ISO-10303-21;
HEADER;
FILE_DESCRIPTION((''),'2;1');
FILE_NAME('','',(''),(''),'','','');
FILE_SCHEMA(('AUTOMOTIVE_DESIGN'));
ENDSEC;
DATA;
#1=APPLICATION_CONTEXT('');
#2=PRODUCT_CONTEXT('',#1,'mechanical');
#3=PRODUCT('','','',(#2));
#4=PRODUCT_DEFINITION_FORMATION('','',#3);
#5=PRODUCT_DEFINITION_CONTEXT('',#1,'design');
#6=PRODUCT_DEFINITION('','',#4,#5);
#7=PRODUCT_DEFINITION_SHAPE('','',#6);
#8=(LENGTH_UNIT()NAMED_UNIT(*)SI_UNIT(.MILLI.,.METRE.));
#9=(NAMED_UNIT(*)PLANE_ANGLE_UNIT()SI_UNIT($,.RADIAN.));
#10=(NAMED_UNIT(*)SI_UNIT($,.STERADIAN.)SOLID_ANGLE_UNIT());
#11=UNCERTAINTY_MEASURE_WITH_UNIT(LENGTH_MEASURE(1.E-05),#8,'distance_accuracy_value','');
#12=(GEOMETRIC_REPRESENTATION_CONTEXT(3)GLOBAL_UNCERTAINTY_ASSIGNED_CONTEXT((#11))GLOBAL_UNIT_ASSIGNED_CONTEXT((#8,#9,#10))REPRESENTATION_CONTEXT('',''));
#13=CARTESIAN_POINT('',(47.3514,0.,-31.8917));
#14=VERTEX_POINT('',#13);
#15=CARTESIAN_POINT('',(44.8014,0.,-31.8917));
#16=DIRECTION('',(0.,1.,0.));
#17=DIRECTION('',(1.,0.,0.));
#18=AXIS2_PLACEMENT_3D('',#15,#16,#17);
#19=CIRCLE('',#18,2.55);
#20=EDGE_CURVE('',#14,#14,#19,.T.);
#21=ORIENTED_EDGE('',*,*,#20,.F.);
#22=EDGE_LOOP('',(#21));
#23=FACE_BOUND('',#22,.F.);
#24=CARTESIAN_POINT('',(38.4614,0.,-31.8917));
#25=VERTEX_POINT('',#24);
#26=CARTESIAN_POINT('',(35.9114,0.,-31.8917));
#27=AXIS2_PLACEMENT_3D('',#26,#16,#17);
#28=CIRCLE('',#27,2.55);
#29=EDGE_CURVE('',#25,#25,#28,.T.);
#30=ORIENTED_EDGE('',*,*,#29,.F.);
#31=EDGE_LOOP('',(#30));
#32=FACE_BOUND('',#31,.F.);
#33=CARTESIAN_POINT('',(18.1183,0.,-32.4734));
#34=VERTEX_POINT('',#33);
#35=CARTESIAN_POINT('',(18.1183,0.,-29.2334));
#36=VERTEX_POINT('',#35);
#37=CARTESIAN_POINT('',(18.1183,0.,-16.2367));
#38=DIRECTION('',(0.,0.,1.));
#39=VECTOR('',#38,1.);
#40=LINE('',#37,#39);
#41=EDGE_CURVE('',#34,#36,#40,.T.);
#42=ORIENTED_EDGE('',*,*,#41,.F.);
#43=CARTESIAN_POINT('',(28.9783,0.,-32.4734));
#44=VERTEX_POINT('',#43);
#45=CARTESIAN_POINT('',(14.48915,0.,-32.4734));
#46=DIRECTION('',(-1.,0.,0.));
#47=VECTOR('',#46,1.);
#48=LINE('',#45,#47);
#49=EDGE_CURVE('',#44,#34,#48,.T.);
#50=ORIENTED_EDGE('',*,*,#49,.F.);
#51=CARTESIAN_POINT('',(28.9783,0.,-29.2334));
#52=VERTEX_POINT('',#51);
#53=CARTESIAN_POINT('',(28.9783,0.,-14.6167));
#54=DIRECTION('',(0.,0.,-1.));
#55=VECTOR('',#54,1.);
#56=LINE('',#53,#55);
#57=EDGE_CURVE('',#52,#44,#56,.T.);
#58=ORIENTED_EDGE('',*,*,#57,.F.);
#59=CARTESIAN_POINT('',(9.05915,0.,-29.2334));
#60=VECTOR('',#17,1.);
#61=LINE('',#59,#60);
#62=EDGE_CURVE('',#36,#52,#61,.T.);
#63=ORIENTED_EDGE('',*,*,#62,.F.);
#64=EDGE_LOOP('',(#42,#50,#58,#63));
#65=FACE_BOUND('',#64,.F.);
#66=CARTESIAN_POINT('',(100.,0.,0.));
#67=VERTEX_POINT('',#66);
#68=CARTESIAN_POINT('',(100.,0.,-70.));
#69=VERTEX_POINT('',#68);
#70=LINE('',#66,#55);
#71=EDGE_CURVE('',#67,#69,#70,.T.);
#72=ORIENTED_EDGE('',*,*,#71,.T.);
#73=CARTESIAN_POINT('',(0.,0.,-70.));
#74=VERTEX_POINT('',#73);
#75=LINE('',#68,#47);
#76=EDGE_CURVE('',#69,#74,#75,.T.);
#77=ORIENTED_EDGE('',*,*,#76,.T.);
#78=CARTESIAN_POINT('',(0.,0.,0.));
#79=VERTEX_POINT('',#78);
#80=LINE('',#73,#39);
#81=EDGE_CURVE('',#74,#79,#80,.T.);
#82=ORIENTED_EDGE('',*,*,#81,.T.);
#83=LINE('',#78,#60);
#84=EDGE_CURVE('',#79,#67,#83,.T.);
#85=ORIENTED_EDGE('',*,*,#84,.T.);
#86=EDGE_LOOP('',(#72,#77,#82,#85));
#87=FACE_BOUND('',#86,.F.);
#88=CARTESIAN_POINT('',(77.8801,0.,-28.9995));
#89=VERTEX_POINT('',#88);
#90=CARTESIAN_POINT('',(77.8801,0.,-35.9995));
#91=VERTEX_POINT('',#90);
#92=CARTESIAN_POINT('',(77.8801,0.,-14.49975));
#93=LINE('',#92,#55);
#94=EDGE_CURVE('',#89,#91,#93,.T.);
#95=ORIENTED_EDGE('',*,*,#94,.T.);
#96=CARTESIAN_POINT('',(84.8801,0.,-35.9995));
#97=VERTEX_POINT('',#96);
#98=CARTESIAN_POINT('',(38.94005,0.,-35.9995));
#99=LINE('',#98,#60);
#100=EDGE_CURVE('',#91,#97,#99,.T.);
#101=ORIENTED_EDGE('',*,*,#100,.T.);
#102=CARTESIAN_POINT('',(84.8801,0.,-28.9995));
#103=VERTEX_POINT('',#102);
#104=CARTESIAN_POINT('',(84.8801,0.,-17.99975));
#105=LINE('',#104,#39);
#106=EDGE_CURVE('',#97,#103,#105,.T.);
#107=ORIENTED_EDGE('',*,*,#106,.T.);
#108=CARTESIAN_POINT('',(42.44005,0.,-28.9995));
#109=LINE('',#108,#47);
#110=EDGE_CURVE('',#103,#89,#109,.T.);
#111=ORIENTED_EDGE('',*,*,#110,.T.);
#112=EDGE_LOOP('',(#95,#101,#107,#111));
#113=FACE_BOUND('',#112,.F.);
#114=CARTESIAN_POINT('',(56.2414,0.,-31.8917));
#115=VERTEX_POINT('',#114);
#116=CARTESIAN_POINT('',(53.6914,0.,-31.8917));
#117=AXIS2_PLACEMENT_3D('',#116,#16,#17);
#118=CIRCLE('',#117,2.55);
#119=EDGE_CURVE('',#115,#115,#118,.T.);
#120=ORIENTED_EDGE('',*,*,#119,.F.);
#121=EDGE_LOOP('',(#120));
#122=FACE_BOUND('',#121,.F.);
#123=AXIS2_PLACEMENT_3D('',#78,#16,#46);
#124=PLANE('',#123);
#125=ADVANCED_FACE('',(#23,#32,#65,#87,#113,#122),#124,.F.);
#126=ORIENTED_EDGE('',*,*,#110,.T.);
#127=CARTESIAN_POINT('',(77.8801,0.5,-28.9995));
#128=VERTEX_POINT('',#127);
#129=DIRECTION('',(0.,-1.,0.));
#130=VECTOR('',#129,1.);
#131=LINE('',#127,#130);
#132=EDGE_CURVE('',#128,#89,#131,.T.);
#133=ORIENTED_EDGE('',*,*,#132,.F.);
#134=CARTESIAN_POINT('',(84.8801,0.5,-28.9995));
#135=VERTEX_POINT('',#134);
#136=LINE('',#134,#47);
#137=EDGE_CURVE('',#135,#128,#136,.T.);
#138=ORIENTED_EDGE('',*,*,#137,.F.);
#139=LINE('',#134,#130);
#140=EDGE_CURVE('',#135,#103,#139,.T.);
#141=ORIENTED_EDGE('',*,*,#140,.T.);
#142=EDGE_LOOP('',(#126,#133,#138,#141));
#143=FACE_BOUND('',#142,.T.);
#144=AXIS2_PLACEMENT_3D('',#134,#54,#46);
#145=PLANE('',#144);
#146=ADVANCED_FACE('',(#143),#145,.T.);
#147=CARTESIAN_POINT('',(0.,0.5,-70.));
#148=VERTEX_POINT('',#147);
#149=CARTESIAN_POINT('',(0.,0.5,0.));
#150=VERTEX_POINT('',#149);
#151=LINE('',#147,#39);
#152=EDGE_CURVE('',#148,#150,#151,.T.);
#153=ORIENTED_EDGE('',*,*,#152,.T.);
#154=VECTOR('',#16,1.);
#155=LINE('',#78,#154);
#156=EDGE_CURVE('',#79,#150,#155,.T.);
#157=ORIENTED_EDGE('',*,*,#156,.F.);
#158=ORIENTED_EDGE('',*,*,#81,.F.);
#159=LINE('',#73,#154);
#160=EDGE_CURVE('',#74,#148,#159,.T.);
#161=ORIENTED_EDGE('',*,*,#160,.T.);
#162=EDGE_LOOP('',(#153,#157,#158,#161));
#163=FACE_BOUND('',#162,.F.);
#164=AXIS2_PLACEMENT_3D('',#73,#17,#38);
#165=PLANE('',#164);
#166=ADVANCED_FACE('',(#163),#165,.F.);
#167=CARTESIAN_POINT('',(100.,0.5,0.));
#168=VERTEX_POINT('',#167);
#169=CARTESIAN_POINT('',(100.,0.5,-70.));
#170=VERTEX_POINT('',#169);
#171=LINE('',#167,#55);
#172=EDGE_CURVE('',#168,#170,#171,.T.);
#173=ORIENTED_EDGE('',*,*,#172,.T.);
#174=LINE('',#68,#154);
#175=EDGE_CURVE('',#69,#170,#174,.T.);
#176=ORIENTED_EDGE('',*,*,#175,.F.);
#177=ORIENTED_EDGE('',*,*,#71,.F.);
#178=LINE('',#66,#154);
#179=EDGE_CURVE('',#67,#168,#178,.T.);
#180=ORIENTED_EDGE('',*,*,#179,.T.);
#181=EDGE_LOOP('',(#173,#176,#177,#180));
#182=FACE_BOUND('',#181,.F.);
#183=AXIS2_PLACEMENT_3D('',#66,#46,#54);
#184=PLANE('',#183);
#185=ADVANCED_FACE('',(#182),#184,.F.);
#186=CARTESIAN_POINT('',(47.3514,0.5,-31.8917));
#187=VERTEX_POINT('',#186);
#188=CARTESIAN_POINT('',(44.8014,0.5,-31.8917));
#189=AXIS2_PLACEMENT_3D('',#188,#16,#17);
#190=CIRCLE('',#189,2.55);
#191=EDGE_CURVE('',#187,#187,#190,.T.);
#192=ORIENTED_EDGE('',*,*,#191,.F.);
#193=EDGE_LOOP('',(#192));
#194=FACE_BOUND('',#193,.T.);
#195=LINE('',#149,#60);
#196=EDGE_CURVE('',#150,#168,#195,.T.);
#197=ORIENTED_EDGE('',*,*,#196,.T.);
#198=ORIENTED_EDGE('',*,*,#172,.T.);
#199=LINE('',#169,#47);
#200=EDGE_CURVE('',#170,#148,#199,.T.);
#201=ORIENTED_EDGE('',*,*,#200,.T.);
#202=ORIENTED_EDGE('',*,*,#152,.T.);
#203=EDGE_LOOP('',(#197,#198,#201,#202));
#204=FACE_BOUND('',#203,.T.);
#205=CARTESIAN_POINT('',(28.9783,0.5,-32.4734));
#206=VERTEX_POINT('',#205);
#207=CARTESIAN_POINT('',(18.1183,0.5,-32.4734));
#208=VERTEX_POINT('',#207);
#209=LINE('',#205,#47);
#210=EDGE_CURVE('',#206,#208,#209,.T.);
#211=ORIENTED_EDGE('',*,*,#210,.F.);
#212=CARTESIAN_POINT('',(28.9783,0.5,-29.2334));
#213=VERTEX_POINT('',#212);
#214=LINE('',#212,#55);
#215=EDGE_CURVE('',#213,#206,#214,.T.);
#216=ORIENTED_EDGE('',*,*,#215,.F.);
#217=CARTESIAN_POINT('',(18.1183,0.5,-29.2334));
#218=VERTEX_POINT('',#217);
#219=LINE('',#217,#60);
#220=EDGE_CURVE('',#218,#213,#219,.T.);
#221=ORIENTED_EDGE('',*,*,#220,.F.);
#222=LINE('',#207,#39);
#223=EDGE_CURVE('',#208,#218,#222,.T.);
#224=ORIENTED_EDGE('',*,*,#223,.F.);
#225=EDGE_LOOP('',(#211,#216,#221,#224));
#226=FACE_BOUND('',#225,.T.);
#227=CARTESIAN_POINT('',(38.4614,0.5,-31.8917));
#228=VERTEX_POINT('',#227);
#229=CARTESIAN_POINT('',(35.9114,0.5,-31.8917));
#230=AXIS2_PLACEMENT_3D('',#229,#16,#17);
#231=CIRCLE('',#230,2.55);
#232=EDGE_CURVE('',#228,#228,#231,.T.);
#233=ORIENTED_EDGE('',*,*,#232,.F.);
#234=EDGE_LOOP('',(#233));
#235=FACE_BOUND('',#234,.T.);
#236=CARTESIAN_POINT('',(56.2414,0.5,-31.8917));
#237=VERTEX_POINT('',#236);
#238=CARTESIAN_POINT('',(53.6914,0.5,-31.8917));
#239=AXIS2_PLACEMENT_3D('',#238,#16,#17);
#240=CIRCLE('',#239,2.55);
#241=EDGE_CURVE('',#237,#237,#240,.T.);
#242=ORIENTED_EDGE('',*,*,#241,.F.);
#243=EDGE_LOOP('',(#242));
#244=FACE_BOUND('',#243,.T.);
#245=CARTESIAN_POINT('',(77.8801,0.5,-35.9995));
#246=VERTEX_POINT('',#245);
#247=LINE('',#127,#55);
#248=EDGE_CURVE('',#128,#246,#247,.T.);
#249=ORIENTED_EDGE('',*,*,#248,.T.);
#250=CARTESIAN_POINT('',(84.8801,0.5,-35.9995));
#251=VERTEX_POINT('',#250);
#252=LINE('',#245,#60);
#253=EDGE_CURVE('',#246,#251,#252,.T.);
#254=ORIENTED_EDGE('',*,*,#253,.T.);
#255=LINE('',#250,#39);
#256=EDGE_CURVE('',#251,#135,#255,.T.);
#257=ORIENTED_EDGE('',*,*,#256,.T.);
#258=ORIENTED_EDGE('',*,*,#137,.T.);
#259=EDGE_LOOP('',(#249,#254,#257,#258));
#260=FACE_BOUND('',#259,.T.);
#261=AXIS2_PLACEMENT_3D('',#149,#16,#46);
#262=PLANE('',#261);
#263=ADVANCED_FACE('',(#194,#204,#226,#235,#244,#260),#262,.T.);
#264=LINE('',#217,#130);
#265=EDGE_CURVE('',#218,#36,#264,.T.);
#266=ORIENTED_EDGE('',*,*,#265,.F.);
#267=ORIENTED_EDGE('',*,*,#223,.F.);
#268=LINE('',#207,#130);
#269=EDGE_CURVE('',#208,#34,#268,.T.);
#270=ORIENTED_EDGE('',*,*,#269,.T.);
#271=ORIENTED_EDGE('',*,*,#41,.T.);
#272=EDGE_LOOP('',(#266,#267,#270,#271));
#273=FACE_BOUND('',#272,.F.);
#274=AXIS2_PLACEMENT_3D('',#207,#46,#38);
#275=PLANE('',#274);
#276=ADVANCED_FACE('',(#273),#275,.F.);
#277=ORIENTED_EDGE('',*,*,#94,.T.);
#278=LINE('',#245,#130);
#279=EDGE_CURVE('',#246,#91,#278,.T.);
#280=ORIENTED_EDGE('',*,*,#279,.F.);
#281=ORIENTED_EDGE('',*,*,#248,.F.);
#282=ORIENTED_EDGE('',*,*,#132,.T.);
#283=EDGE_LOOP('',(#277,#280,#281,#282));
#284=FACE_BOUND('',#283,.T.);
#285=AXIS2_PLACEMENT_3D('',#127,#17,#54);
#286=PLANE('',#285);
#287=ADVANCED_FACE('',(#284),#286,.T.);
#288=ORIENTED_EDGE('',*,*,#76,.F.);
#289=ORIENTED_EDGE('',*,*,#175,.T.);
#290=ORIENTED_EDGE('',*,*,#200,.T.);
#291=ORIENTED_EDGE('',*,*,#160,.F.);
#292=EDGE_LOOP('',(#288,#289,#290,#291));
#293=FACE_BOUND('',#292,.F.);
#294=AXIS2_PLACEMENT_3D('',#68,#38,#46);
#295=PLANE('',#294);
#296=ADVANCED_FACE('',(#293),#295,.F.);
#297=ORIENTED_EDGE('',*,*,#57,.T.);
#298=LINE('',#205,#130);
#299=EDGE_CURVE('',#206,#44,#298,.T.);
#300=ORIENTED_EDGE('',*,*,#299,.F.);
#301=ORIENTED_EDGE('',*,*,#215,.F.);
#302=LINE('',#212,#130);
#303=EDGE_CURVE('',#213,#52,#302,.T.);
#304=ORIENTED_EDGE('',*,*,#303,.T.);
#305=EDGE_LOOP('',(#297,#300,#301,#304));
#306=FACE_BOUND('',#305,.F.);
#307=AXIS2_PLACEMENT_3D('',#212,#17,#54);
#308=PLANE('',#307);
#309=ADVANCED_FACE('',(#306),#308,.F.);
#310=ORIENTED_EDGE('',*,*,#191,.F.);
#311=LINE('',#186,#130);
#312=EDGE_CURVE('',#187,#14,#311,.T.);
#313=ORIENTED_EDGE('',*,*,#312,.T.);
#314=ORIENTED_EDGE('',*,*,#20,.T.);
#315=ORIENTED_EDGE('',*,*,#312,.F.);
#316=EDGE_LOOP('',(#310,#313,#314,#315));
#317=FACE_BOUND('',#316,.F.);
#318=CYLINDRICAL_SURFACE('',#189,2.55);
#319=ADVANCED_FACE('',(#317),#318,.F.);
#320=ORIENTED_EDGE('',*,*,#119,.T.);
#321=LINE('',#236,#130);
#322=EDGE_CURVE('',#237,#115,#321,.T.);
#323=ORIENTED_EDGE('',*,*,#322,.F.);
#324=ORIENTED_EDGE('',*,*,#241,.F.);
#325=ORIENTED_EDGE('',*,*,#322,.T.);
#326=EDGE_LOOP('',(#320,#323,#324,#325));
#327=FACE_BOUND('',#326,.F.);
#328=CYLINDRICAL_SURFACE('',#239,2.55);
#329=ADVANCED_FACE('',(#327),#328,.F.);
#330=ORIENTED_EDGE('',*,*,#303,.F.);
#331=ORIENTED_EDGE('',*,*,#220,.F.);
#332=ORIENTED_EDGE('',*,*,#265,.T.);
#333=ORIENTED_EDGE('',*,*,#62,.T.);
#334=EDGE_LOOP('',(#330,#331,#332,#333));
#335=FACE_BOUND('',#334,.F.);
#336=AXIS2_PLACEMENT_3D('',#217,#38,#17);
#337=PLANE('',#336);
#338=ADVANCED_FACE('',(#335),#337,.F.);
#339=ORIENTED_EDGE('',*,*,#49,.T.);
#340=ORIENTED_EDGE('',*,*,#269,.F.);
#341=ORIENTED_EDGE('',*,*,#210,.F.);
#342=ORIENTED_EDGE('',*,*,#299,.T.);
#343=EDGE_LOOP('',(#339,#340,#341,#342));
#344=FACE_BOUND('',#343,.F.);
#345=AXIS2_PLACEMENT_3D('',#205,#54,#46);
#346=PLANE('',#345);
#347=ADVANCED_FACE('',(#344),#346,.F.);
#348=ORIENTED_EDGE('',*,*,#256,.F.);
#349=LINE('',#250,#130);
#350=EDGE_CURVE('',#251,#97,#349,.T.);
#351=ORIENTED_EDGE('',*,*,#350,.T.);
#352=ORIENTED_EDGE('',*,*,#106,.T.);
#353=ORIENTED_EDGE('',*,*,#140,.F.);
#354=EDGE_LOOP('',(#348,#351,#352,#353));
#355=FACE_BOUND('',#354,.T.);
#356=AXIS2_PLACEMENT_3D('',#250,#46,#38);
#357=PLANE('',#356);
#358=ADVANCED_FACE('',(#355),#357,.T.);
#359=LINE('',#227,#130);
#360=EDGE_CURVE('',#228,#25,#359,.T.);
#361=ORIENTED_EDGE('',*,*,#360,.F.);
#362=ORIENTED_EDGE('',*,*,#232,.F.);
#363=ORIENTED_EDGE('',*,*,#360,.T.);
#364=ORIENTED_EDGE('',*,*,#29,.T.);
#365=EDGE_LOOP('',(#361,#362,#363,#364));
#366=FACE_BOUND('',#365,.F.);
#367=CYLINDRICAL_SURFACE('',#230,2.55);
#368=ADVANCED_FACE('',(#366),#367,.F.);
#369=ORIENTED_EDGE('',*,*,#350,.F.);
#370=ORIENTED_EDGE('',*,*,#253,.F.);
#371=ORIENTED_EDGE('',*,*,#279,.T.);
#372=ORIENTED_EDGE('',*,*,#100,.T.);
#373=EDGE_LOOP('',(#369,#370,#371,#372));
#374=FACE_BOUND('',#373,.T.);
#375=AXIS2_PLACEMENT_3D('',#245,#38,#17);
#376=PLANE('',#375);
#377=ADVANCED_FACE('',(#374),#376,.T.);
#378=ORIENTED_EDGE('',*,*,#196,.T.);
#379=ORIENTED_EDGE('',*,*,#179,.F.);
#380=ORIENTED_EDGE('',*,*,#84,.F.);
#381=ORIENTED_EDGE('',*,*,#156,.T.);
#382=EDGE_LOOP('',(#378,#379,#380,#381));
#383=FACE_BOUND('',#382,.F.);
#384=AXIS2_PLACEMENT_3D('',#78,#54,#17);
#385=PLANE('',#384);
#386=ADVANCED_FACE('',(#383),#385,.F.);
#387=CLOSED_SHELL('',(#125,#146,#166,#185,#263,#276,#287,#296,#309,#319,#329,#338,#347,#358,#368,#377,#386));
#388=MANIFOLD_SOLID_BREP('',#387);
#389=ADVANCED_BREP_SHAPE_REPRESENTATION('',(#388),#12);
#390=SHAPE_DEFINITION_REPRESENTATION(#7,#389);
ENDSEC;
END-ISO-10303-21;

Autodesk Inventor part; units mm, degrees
ref_plane "YZ Plane" through (0, 0, 0) normal (1, 0, 0) x (0, 1, 0)
ref_plane "XZ Plane" through (0, 0, 0) normal (0, 1, 0) x (-1, 0, 0)
ref_plane "XY Plane" through (0, 0, 0) normal (0, 0, 1) x (1, 0, 0)
sketch "Szkic1" plane through (0, 0, 0) normal (0, 1, 0) x (-1, 0, 0)
  line L0 (0, 0) -> (-100, 0)
  line L1 (-100, 0) -> (-100, -70)
  line L2 (-100, -70) -> (0, -70)
  line L3 (0, -70) -> (0, 0)
  dimension "d0" = 100
  dimension "d1" = 70
extrude "Wyciągnięcie proste1" add sketch "Szkic1" along normal blind 0.5
sketch "Szkic2" plane through (0, 0.5, 0) normal (0, 1, 0) x (1, 0, 0)
  line L0 (84.2801, 35.4995) -> (78.4801, 35.4995) projected
  line L1 (84.3801, 29.5995) -> (84.3801, 35.3995) projected
  line L2 (78.4801, 29.4995) -> (84.2801, 29.4995) projected
  line L3 (78.3801, 35.3995) -> (78.3801, 29.5995) projected
  circle A0 centre (53.6914, 31.8917) radius 2.05 projected
  circle A1 centre (44.8014, 31.8917) radius 2.05 projected
  circle A2 centre (35.9114, 31.8917) radius 2.05 projected
  line L4 (27.6783, 30.5334) -> (27.6783, 31.1734) projected
  line L5 (19.4183, 31.1734) -> (19.4183, 30.5334) projected
  line L6 (84.3801, 29.4995) -> (78.3801, 29.4995)
  line L7 (78.3801, 29.4995) -> (78.3801, 35.4995)
  line L8 (78.3801, 35.4995) -> (84.3801, 35.4995)
  line L9 (84.3801, 35.4995) -> (84.3801, 29.4995)
  line L10 (84.8801, 28.9995) -> (77.8801, 28.9995)
  line L11 (77.8801, 28.9995) -> (77.8801, 35.9995)
  line L12 (77.8801, 35.9995) -> (84.8801, 35.9995)
  line L13 (84.8801, 35.9995) -> (84.8801, 28.9995)
  circle A3 centre (53.6914, 31.8917) radius 2.55
  circle A4 centre (44.8014, 31.8917) radius 2.55
  circle A5 centre (35.9114, 31.8917) radius 2.55
  line L14 (27.6783, 30.5334) -> (19.4183, 30.5334)
  line L15 (19.4183, 30.5334) -> (19.4183, 31.1734)
  line L16 (19.4183, 31.1734) -> (27.6783, 31.1734)
  line L17 (27.6783, 31.1734) -> (27.6783, 30.5334)
  line L18 (28.9783, 32.4734) -> (18.1183, 32.4734)
  line L19 (18.1183, 32.4734) -> (18.1183, 29.2334)
  line L20 (18.1183, 29.2334) -> (28.9783, 29.2334)
  line L21 (28.9783, 29.2334) -> (28.9783, 32.4734)
  point P0 (0, 0)
  dimension "d4" = 0.5
  dimension "d5" = 0.5
  dimension "d6" = 0.5
  dimension "d7" = 0.5
  dimension "d8" = 1.3
extrude "Wyciągnięcie proste2" cut sketch "Szkic2" against normal through all contours L8 L9 L1 L6 L2 L7 L3 L0 | A0 | A1 | A2 | L14 L5 L16 L4 | L10 L11 L12 L13 | A3 | A4 | A5 | L21 L20 L19 L18
properties part number "dach" material "Stal miękka, spawana"
